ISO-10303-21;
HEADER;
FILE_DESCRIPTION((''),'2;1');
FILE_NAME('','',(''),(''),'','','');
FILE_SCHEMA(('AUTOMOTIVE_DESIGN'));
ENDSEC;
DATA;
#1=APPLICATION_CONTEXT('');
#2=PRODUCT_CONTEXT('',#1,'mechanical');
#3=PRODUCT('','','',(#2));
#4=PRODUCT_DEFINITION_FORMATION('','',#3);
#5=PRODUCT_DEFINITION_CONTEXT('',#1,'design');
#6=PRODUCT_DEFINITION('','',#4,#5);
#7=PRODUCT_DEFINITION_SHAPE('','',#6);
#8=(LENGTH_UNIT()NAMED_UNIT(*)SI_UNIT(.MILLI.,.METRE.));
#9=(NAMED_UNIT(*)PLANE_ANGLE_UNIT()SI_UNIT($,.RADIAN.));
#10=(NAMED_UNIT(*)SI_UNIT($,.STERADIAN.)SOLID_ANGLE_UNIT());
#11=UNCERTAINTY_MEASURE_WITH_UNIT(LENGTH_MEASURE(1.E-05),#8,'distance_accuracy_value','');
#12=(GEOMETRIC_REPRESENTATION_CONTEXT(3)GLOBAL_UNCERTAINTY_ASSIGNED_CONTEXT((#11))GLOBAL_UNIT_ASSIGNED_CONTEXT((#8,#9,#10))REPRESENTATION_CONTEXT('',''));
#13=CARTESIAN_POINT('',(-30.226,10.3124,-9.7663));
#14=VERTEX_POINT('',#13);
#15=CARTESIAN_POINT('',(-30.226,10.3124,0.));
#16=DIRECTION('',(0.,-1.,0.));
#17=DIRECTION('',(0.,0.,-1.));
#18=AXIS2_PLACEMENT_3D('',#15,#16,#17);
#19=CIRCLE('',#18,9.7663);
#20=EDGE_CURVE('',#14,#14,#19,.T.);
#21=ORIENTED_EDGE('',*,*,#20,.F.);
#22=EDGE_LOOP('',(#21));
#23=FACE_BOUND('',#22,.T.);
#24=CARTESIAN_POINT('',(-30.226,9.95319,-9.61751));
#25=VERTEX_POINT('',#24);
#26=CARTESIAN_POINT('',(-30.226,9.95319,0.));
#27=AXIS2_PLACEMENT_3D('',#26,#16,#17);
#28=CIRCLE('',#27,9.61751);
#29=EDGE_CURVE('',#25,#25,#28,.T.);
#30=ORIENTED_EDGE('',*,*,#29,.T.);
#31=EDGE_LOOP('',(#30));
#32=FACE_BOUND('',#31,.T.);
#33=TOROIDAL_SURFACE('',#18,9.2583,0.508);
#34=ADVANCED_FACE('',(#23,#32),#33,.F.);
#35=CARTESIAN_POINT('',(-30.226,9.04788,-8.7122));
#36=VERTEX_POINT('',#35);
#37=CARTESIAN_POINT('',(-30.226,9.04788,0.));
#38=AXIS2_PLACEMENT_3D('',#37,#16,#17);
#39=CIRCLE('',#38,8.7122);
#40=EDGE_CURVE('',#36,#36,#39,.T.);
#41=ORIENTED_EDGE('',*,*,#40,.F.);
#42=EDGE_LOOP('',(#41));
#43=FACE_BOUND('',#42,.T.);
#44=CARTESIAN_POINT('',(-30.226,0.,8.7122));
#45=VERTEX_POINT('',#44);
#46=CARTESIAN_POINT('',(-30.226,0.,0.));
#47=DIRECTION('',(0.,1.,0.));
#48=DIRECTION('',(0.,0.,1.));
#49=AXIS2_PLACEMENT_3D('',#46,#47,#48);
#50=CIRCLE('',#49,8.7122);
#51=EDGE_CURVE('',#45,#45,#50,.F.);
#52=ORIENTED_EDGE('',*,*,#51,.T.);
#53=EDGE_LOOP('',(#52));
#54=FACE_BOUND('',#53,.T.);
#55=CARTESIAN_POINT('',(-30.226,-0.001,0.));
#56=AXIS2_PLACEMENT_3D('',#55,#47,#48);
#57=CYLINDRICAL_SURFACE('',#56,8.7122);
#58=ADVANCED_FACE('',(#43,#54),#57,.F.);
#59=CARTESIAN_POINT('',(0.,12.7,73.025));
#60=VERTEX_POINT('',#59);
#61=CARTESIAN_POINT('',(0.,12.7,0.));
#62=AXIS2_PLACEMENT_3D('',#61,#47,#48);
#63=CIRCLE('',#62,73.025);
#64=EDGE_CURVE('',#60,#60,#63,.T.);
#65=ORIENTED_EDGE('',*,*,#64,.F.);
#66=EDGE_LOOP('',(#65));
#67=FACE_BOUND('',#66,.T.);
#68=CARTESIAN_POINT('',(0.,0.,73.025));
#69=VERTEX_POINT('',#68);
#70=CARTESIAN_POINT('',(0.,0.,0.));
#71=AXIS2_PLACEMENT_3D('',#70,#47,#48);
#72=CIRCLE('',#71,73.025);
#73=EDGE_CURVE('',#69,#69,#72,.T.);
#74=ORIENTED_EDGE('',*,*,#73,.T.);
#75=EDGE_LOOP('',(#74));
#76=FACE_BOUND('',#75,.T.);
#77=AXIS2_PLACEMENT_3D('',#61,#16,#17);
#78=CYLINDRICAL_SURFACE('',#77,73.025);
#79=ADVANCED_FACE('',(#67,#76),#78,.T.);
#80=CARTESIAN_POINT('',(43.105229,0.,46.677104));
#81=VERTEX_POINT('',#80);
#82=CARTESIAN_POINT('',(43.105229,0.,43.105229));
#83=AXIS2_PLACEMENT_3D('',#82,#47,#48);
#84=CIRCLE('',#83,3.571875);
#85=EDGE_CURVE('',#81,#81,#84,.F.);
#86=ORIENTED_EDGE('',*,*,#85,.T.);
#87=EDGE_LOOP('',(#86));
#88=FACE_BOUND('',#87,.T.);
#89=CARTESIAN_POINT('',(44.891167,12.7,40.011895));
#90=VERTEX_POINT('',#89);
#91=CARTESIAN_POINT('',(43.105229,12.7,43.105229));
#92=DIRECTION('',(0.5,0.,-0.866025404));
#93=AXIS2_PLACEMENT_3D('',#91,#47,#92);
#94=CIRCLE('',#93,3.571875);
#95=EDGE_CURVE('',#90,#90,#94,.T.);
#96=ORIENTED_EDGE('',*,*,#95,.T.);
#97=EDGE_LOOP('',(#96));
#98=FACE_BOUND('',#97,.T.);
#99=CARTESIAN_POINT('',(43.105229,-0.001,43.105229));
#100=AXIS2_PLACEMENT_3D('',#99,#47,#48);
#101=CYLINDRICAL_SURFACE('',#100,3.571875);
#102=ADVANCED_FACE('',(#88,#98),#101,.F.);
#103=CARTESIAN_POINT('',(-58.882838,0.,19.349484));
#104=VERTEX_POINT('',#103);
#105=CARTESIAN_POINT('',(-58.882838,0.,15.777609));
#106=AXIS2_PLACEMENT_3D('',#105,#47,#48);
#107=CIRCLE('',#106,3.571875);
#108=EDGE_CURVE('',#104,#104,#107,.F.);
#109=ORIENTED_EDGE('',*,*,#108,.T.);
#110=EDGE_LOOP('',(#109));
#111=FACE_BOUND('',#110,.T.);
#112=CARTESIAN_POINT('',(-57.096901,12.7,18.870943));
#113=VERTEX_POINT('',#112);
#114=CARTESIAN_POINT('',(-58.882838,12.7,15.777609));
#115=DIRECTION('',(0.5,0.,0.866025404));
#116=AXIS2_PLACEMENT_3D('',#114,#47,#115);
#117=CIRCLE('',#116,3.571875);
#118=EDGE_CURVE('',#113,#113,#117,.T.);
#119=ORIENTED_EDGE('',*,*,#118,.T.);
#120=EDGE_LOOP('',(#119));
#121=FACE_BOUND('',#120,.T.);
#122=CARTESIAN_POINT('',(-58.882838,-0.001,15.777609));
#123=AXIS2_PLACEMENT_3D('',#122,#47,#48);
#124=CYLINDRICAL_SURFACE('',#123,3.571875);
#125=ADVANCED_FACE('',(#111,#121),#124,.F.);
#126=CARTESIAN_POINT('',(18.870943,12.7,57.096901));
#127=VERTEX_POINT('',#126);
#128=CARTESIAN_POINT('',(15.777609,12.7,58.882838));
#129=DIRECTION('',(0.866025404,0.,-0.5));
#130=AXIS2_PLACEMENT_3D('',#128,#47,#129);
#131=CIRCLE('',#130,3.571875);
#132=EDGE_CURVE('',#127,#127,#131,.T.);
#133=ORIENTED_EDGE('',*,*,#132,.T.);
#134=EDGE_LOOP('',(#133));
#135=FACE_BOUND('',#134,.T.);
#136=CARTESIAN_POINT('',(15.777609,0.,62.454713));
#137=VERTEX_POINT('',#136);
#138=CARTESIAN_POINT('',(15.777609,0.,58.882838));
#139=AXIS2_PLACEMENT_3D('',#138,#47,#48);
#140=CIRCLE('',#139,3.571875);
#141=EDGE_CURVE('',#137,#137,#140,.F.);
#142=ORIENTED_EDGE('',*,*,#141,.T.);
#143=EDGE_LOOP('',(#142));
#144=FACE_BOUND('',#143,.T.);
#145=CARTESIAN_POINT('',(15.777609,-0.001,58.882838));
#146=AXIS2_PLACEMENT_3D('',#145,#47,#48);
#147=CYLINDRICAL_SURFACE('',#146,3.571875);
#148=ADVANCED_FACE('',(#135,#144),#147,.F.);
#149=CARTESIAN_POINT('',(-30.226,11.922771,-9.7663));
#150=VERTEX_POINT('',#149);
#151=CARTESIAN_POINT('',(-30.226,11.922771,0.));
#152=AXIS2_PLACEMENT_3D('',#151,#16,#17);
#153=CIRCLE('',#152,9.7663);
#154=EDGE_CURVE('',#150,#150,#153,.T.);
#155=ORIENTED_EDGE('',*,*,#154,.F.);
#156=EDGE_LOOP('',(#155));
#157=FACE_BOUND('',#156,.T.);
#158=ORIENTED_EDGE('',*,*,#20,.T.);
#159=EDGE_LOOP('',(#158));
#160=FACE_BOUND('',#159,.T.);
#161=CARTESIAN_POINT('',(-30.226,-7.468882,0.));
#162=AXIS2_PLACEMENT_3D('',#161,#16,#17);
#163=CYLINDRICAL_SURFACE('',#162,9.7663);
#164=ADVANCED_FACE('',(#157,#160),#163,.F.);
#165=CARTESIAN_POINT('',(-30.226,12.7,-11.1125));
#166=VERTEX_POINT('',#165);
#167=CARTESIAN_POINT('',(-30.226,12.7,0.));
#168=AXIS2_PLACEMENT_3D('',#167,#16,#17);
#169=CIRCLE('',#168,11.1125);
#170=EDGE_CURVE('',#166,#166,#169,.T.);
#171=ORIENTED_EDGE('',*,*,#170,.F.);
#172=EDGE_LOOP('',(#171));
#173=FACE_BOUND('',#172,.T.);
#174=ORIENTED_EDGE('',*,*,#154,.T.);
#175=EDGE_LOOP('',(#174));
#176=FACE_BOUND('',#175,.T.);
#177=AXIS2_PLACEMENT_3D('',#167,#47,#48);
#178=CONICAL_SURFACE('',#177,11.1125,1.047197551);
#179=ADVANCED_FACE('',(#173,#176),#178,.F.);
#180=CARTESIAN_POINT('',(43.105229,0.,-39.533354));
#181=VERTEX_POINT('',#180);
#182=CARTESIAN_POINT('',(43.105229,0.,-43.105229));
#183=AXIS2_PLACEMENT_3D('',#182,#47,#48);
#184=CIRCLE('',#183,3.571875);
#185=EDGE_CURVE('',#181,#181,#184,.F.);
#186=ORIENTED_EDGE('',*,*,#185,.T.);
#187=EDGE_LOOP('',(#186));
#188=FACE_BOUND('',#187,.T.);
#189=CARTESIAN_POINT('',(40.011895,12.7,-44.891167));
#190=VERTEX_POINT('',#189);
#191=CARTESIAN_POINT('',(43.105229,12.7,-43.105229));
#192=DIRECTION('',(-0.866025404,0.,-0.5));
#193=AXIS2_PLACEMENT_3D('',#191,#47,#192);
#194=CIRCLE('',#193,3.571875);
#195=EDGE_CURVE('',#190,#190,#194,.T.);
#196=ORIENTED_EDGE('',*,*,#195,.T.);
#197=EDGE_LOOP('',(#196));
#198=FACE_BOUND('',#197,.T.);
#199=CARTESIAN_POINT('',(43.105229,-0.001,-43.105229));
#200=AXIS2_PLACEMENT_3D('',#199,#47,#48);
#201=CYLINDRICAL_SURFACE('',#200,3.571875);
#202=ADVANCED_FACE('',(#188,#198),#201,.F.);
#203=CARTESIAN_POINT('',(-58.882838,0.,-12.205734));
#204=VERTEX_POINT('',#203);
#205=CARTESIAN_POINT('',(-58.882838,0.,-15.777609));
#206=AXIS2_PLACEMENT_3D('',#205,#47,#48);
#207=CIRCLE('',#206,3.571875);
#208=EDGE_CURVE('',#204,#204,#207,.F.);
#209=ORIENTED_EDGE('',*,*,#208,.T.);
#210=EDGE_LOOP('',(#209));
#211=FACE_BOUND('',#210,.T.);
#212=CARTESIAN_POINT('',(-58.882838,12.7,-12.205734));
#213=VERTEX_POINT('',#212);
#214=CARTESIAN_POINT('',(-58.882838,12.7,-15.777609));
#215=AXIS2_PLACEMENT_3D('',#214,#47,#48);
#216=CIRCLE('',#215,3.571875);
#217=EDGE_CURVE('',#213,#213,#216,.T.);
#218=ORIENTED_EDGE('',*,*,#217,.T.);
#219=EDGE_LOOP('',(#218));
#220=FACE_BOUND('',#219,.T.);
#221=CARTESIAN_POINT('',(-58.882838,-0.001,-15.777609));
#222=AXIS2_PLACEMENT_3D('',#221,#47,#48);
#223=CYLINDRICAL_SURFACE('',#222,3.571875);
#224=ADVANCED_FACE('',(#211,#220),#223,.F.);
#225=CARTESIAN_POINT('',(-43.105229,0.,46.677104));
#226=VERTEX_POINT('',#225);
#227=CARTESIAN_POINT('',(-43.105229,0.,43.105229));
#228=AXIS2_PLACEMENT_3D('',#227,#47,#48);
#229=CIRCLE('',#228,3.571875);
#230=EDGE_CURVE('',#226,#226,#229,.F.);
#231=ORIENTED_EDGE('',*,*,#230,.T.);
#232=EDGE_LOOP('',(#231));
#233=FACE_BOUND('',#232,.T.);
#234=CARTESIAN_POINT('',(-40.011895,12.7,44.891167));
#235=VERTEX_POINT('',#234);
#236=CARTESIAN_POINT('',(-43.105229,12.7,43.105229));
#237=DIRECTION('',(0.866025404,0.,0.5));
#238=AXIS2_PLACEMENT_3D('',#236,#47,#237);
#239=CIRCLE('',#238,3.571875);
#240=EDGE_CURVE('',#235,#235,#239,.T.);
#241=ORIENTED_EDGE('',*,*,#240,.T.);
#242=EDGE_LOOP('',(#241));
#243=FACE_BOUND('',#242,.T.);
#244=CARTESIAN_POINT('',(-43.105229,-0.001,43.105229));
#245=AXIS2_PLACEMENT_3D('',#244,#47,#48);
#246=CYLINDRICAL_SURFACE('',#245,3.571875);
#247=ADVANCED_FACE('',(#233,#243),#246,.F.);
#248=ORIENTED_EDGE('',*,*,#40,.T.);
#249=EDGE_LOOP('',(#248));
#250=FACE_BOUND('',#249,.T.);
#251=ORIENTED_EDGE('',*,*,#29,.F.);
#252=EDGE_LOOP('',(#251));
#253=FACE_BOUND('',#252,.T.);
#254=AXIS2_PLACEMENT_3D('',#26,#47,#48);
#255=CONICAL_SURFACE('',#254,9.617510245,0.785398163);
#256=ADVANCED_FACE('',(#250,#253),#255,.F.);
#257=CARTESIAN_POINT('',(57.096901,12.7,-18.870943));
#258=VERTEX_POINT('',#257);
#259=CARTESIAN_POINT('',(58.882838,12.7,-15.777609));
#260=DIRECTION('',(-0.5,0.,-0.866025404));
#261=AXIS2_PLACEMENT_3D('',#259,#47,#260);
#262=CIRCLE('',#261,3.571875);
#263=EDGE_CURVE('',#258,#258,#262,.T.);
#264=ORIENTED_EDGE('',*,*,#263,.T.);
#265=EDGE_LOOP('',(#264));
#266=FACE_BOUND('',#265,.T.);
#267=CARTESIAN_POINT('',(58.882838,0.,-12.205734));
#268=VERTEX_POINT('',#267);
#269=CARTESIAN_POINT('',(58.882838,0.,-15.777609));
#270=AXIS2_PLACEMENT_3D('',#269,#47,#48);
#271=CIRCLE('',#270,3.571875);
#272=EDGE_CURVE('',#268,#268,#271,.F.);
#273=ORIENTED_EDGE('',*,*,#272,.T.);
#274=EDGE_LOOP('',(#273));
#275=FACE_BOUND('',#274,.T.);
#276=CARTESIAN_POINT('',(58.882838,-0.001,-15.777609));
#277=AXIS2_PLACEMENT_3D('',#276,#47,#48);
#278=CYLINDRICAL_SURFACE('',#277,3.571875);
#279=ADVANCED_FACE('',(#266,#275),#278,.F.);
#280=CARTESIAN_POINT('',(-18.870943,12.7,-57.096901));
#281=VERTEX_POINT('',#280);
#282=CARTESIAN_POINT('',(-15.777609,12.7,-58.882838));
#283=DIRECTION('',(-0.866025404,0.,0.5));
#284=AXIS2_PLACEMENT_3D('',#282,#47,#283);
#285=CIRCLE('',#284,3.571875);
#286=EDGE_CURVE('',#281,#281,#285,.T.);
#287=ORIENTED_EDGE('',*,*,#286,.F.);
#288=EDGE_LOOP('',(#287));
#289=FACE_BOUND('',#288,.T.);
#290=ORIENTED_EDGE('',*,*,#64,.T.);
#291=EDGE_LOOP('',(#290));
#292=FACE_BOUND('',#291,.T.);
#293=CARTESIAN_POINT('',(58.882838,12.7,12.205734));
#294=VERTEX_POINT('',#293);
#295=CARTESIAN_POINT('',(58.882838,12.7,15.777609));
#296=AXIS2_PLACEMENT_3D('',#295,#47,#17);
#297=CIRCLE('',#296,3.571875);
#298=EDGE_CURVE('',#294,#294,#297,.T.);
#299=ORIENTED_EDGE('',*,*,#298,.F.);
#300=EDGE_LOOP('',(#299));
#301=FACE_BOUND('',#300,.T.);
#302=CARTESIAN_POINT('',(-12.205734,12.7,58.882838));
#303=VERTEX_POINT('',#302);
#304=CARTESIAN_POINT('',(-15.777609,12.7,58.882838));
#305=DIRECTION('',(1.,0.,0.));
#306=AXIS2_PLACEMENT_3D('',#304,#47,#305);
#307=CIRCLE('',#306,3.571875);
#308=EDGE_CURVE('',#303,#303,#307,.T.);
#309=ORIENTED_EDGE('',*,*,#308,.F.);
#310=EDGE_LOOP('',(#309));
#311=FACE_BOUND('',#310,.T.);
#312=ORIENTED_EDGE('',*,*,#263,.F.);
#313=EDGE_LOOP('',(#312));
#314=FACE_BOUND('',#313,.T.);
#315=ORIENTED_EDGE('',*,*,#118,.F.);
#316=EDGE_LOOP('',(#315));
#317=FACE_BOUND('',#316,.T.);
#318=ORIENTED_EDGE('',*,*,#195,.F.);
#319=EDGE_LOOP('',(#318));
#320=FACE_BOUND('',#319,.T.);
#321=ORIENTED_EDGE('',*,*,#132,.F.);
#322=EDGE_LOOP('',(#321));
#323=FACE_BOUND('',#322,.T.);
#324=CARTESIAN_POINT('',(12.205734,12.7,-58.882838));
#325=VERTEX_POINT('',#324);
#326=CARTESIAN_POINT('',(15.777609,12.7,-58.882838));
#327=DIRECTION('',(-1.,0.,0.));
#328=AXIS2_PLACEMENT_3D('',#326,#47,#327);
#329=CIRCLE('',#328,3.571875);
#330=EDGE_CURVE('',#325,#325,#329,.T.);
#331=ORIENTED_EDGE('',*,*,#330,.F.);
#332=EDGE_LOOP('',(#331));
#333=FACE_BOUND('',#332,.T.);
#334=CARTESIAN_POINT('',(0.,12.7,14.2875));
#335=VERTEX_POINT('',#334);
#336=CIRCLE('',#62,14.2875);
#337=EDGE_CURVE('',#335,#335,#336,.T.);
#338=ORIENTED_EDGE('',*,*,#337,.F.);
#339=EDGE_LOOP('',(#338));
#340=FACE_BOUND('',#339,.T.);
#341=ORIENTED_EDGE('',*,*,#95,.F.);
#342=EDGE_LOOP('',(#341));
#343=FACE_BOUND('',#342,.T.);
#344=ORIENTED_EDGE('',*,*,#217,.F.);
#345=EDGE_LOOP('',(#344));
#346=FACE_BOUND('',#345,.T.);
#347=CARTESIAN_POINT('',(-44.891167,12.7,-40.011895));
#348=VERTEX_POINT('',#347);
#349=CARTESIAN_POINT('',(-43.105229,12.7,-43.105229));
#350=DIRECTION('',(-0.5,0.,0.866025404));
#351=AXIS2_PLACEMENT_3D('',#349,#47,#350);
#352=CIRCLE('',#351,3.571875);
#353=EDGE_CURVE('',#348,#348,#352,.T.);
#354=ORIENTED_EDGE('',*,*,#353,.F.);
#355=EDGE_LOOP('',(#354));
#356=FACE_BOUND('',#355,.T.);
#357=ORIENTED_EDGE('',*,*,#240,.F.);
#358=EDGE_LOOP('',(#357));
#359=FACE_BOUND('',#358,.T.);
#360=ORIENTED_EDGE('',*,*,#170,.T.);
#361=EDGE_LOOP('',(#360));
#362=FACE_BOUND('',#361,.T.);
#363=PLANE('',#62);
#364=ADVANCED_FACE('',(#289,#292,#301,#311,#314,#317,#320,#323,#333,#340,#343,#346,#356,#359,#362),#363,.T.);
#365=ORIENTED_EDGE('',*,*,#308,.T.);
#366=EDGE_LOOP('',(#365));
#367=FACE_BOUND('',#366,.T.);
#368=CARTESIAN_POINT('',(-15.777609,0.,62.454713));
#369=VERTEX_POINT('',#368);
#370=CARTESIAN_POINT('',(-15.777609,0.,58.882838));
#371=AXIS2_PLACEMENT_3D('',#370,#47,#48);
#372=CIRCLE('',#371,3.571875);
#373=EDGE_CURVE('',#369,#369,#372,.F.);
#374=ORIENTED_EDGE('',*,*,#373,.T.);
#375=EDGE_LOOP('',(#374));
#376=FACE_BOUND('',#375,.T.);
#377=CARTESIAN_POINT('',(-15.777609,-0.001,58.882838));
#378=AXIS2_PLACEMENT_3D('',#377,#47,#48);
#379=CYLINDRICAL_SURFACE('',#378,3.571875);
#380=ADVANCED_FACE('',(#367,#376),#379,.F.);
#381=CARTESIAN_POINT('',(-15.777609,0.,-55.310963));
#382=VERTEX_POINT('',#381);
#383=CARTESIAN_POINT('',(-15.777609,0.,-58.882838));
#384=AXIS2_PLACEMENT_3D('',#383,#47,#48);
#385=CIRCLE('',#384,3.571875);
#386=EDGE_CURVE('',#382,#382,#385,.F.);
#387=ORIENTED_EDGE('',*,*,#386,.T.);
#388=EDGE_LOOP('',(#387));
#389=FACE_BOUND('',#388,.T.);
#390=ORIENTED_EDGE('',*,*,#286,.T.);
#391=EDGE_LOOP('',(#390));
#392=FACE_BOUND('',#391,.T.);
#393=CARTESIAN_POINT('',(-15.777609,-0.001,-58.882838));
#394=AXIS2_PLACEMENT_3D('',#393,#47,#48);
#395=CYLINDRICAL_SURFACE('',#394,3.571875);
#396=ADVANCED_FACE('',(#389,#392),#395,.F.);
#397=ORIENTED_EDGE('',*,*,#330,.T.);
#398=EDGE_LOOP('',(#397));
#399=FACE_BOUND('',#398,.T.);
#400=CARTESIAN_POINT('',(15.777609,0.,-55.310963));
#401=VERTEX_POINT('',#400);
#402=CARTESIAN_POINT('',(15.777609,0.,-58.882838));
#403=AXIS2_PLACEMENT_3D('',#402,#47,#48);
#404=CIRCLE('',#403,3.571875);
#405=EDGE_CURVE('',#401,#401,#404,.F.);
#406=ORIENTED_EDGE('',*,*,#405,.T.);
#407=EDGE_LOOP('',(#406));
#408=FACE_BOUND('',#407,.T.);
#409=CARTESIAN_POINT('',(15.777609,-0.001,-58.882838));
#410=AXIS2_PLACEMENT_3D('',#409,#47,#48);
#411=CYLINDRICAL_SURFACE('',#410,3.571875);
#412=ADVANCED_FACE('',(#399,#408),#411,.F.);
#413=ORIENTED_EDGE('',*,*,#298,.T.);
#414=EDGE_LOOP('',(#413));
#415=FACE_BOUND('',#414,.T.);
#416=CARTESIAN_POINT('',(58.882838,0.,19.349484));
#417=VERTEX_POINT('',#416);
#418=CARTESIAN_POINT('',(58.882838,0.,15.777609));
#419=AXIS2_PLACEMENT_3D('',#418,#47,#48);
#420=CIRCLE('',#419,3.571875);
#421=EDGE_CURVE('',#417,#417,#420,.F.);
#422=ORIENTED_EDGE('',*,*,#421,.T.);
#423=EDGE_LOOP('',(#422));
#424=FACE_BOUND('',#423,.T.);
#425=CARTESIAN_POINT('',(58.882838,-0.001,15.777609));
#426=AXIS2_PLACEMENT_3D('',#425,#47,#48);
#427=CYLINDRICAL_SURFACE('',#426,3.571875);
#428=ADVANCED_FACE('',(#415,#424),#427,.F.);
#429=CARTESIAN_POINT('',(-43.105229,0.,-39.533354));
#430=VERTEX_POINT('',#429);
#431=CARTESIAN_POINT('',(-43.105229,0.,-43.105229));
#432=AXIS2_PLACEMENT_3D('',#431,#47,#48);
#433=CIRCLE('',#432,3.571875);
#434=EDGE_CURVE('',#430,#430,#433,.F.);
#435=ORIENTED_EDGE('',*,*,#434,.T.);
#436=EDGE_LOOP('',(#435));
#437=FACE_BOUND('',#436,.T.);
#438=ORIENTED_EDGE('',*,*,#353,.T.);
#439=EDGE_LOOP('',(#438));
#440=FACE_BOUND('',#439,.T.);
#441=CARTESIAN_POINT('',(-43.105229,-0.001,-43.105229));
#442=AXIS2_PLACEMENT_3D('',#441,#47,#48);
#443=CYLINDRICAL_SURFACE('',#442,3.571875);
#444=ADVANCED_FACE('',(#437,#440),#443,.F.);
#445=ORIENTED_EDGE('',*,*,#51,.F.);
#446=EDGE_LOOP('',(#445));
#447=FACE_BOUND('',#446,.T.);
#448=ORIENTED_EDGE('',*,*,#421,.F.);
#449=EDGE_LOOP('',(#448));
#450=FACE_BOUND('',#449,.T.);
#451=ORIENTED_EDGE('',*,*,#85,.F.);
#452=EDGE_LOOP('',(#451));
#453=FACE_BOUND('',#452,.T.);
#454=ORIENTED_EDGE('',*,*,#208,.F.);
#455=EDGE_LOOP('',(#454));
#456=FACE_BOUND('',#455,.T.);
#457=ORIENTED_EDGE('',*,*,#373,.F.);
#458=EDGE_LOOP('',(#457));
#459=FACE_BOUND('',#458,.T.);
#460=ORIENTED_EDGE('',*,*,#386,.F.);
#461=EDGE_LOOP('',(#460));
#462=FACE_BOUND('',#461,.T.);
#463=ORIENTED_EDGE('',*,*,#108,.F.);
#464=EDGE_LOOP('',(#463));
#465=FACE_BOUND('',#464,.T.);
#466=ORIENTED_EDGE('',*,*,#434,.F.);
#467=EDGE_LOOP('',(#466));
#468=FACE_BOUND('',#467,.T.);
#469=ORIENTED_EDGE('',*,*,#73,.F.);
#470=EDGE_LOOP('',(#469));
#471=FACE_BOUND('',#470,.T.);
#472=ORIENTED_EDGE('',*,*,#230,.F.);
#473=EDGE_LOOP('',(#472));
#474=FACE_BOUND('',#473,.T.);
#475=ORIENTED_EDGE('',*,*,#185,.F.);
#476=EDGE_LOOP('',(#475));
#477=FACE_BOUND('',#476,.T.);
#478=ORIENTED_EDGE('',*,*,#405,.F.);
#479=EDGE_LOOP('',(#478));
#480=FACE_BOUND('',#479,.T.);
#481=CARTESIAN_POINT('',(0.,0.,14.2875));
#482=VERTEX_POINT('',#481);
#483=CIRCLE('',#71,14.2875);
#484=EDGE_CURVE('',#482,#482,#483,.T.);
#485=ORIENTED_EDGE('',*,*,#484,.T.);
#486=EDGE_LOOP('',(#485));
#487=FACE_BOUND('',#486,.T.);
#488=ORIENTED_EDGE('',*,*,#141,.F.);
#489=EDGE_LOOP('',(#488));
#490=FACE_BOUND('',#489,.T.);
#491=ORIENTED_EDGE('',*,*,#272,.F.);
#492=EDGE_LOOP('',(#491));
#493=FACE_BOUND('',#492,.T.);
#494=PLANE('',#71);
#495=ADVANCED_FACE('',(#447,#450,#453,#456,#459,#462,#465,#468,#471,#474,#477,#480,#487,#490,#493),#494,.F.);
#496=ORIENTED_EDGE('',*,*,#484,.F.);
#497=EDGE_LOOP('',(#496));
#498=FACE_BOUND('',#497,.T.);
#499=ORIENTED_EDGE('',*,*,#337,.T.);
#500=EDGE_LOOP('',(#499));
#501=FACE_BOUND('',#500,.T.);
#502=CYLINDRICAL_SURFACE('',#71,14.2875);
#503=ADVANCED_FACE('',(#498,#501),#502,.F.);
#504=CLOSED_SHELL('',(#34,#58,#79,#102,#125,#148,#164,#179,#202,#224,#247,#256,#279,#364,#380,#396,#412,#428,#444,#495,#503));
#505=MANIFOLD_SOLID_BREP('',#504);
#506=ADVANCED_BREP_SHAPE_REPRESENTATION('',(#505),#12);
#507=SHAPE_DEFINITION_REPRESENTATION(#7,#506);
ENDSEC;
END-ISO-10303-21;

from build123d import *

# Parameters (mm, degrees)
TOP_PLATE_DIAMETER_R           = 73.025
TOP_PLATE_EXTRUDE_DEPTH        = 12.7
FUEL_PORT_CLEARANCE_DIAMETER_R = 14.2875
FUEL_PORT_CLEARANCE_HOLE_DEPTH = 105.050907012
ASSEMBLY_BOLT_REACH            = 106.051
ASSEMBLY_BOLT_DIAMETER_R       = 3.571875
CIRPATTERN1_COUNT              = 12
LOX_PORT_REACH                 = 106.051
SKETCH7_R                      = 8.7122


with BuildPart() as part:
    # Top Plate Diameter → Top Plate Extrude (new body)
    with BuildSketch(Plane(origin=(0, 0, 0), x_dir=(1, 0, 0), z_dir=(0, 1, 0))):
        Circle(TOP_PLATE_DIAMETER_R)
    extrude(amount=TOP_PLATE_EXTRUDE_DEPTH)

    # Fuel Port Clearance Diameter → Fuel Port Clearance Hole (cut, through all)
    with BuildSketch(Plane(origin=(0, 12.7, 0), x_dir=(1, 0, 0), z_dir=(0, 1, 0))):
        Circle(FUEL_PORT_CLEARANCE_DIAMETER_R)
    extrude(amount=-FUEL_PORT_CLEARANCE_HOLE_DEPTH, mode=Mode.SUBTRACT)

    # Assembly Bolt Diameter → Assembly Bolt (cut, up to next)
    with BuildSketch(Plane(origin=(0, 12.7, 0), x_dir=(1, 0, 0), z_dir=(0, 1, 0)), mode=Mode.PRIVATE) as assembly_bolt_sk1:
        with Locations((-58.882838371, 15.777608989)):
            Circle(ASSEMBLY_BOLT_DIAMETER_R)
    assembly_bolt_tool1 = extrude(assembly_bolt_sk1.sketch, amount=-ASSEMBLY_BOLT_REACH, mode=Mode.PRIVATE) & part.part
    assembly_bolt = assembly_bolt_tool1.solids().sort_by_distance((-58.882838, 12.7, -15.777609))[0]
    add(assembly_bolt, mode=Mode.SUBTRACT)

    # CirPattern1: Assembly Bolt ×12 about axis
    cirpattern1_axis = Axis((0, 12.7, 0), (0, -1, 0))
    for i in range(1, CIRPATTERN1_COUNT):
        add(assembly_bolt.rotate(cirpattern1_axis, i * 360 / CIRPATTERN1_COUNT), mode=Mode.SUBTRACT)

    # Sketch7 → LOX Port (cut, up to next)
    with BuildSketch(Plane(origin=(0, 12.7, 0), x_dir=(1, 0, 0), z_dir=(0, 1, 0)), mode=Mode.PRIVATE) as lox_port_sk1:
        with Locations((-30.226, 0)):
            Circle(SKETCH7_R)
    lox_port_tool1 = extrude(lox_port_sk1.sketch, amount=-LOX_PORT_REACH, mode=Mode.PRIVATE) & part.part
    add(lox_port_tool1.solids().sort_by_distance((-30.226, 12.7, 0))[0], mode=Mode.SUBTRACT)

    # Sketch9 → Cut-Revolve1 (revolve, cut)
    with BuildSketch(Plane.XY):
        with BuildLine():
            Line((-41.3385, 12.7), (-39.9923, 11.922771068))
            Line((-39.9923, 11.922771068), (-39.9923, 10.3124))
            ThreePointArc((-39.9923, 10.3124), (-39.953630803, 10.117996816), (-39.843510245, 9.953189755))
            Line((-39.843510245, 9.953189755), (-38.9382, 9.04787951))
            Line((-38.9382, 9.04787951), (-38.9382, 12.7))
            Line((-38.9382, 12.7), (-41.3385, 12.7))
        make_face()
    revolve(axis=Axis((-30.226, -7.468881995, 0), (0, 1, 0)), mode=Mode.SUBTRACT)


solid = part.part
